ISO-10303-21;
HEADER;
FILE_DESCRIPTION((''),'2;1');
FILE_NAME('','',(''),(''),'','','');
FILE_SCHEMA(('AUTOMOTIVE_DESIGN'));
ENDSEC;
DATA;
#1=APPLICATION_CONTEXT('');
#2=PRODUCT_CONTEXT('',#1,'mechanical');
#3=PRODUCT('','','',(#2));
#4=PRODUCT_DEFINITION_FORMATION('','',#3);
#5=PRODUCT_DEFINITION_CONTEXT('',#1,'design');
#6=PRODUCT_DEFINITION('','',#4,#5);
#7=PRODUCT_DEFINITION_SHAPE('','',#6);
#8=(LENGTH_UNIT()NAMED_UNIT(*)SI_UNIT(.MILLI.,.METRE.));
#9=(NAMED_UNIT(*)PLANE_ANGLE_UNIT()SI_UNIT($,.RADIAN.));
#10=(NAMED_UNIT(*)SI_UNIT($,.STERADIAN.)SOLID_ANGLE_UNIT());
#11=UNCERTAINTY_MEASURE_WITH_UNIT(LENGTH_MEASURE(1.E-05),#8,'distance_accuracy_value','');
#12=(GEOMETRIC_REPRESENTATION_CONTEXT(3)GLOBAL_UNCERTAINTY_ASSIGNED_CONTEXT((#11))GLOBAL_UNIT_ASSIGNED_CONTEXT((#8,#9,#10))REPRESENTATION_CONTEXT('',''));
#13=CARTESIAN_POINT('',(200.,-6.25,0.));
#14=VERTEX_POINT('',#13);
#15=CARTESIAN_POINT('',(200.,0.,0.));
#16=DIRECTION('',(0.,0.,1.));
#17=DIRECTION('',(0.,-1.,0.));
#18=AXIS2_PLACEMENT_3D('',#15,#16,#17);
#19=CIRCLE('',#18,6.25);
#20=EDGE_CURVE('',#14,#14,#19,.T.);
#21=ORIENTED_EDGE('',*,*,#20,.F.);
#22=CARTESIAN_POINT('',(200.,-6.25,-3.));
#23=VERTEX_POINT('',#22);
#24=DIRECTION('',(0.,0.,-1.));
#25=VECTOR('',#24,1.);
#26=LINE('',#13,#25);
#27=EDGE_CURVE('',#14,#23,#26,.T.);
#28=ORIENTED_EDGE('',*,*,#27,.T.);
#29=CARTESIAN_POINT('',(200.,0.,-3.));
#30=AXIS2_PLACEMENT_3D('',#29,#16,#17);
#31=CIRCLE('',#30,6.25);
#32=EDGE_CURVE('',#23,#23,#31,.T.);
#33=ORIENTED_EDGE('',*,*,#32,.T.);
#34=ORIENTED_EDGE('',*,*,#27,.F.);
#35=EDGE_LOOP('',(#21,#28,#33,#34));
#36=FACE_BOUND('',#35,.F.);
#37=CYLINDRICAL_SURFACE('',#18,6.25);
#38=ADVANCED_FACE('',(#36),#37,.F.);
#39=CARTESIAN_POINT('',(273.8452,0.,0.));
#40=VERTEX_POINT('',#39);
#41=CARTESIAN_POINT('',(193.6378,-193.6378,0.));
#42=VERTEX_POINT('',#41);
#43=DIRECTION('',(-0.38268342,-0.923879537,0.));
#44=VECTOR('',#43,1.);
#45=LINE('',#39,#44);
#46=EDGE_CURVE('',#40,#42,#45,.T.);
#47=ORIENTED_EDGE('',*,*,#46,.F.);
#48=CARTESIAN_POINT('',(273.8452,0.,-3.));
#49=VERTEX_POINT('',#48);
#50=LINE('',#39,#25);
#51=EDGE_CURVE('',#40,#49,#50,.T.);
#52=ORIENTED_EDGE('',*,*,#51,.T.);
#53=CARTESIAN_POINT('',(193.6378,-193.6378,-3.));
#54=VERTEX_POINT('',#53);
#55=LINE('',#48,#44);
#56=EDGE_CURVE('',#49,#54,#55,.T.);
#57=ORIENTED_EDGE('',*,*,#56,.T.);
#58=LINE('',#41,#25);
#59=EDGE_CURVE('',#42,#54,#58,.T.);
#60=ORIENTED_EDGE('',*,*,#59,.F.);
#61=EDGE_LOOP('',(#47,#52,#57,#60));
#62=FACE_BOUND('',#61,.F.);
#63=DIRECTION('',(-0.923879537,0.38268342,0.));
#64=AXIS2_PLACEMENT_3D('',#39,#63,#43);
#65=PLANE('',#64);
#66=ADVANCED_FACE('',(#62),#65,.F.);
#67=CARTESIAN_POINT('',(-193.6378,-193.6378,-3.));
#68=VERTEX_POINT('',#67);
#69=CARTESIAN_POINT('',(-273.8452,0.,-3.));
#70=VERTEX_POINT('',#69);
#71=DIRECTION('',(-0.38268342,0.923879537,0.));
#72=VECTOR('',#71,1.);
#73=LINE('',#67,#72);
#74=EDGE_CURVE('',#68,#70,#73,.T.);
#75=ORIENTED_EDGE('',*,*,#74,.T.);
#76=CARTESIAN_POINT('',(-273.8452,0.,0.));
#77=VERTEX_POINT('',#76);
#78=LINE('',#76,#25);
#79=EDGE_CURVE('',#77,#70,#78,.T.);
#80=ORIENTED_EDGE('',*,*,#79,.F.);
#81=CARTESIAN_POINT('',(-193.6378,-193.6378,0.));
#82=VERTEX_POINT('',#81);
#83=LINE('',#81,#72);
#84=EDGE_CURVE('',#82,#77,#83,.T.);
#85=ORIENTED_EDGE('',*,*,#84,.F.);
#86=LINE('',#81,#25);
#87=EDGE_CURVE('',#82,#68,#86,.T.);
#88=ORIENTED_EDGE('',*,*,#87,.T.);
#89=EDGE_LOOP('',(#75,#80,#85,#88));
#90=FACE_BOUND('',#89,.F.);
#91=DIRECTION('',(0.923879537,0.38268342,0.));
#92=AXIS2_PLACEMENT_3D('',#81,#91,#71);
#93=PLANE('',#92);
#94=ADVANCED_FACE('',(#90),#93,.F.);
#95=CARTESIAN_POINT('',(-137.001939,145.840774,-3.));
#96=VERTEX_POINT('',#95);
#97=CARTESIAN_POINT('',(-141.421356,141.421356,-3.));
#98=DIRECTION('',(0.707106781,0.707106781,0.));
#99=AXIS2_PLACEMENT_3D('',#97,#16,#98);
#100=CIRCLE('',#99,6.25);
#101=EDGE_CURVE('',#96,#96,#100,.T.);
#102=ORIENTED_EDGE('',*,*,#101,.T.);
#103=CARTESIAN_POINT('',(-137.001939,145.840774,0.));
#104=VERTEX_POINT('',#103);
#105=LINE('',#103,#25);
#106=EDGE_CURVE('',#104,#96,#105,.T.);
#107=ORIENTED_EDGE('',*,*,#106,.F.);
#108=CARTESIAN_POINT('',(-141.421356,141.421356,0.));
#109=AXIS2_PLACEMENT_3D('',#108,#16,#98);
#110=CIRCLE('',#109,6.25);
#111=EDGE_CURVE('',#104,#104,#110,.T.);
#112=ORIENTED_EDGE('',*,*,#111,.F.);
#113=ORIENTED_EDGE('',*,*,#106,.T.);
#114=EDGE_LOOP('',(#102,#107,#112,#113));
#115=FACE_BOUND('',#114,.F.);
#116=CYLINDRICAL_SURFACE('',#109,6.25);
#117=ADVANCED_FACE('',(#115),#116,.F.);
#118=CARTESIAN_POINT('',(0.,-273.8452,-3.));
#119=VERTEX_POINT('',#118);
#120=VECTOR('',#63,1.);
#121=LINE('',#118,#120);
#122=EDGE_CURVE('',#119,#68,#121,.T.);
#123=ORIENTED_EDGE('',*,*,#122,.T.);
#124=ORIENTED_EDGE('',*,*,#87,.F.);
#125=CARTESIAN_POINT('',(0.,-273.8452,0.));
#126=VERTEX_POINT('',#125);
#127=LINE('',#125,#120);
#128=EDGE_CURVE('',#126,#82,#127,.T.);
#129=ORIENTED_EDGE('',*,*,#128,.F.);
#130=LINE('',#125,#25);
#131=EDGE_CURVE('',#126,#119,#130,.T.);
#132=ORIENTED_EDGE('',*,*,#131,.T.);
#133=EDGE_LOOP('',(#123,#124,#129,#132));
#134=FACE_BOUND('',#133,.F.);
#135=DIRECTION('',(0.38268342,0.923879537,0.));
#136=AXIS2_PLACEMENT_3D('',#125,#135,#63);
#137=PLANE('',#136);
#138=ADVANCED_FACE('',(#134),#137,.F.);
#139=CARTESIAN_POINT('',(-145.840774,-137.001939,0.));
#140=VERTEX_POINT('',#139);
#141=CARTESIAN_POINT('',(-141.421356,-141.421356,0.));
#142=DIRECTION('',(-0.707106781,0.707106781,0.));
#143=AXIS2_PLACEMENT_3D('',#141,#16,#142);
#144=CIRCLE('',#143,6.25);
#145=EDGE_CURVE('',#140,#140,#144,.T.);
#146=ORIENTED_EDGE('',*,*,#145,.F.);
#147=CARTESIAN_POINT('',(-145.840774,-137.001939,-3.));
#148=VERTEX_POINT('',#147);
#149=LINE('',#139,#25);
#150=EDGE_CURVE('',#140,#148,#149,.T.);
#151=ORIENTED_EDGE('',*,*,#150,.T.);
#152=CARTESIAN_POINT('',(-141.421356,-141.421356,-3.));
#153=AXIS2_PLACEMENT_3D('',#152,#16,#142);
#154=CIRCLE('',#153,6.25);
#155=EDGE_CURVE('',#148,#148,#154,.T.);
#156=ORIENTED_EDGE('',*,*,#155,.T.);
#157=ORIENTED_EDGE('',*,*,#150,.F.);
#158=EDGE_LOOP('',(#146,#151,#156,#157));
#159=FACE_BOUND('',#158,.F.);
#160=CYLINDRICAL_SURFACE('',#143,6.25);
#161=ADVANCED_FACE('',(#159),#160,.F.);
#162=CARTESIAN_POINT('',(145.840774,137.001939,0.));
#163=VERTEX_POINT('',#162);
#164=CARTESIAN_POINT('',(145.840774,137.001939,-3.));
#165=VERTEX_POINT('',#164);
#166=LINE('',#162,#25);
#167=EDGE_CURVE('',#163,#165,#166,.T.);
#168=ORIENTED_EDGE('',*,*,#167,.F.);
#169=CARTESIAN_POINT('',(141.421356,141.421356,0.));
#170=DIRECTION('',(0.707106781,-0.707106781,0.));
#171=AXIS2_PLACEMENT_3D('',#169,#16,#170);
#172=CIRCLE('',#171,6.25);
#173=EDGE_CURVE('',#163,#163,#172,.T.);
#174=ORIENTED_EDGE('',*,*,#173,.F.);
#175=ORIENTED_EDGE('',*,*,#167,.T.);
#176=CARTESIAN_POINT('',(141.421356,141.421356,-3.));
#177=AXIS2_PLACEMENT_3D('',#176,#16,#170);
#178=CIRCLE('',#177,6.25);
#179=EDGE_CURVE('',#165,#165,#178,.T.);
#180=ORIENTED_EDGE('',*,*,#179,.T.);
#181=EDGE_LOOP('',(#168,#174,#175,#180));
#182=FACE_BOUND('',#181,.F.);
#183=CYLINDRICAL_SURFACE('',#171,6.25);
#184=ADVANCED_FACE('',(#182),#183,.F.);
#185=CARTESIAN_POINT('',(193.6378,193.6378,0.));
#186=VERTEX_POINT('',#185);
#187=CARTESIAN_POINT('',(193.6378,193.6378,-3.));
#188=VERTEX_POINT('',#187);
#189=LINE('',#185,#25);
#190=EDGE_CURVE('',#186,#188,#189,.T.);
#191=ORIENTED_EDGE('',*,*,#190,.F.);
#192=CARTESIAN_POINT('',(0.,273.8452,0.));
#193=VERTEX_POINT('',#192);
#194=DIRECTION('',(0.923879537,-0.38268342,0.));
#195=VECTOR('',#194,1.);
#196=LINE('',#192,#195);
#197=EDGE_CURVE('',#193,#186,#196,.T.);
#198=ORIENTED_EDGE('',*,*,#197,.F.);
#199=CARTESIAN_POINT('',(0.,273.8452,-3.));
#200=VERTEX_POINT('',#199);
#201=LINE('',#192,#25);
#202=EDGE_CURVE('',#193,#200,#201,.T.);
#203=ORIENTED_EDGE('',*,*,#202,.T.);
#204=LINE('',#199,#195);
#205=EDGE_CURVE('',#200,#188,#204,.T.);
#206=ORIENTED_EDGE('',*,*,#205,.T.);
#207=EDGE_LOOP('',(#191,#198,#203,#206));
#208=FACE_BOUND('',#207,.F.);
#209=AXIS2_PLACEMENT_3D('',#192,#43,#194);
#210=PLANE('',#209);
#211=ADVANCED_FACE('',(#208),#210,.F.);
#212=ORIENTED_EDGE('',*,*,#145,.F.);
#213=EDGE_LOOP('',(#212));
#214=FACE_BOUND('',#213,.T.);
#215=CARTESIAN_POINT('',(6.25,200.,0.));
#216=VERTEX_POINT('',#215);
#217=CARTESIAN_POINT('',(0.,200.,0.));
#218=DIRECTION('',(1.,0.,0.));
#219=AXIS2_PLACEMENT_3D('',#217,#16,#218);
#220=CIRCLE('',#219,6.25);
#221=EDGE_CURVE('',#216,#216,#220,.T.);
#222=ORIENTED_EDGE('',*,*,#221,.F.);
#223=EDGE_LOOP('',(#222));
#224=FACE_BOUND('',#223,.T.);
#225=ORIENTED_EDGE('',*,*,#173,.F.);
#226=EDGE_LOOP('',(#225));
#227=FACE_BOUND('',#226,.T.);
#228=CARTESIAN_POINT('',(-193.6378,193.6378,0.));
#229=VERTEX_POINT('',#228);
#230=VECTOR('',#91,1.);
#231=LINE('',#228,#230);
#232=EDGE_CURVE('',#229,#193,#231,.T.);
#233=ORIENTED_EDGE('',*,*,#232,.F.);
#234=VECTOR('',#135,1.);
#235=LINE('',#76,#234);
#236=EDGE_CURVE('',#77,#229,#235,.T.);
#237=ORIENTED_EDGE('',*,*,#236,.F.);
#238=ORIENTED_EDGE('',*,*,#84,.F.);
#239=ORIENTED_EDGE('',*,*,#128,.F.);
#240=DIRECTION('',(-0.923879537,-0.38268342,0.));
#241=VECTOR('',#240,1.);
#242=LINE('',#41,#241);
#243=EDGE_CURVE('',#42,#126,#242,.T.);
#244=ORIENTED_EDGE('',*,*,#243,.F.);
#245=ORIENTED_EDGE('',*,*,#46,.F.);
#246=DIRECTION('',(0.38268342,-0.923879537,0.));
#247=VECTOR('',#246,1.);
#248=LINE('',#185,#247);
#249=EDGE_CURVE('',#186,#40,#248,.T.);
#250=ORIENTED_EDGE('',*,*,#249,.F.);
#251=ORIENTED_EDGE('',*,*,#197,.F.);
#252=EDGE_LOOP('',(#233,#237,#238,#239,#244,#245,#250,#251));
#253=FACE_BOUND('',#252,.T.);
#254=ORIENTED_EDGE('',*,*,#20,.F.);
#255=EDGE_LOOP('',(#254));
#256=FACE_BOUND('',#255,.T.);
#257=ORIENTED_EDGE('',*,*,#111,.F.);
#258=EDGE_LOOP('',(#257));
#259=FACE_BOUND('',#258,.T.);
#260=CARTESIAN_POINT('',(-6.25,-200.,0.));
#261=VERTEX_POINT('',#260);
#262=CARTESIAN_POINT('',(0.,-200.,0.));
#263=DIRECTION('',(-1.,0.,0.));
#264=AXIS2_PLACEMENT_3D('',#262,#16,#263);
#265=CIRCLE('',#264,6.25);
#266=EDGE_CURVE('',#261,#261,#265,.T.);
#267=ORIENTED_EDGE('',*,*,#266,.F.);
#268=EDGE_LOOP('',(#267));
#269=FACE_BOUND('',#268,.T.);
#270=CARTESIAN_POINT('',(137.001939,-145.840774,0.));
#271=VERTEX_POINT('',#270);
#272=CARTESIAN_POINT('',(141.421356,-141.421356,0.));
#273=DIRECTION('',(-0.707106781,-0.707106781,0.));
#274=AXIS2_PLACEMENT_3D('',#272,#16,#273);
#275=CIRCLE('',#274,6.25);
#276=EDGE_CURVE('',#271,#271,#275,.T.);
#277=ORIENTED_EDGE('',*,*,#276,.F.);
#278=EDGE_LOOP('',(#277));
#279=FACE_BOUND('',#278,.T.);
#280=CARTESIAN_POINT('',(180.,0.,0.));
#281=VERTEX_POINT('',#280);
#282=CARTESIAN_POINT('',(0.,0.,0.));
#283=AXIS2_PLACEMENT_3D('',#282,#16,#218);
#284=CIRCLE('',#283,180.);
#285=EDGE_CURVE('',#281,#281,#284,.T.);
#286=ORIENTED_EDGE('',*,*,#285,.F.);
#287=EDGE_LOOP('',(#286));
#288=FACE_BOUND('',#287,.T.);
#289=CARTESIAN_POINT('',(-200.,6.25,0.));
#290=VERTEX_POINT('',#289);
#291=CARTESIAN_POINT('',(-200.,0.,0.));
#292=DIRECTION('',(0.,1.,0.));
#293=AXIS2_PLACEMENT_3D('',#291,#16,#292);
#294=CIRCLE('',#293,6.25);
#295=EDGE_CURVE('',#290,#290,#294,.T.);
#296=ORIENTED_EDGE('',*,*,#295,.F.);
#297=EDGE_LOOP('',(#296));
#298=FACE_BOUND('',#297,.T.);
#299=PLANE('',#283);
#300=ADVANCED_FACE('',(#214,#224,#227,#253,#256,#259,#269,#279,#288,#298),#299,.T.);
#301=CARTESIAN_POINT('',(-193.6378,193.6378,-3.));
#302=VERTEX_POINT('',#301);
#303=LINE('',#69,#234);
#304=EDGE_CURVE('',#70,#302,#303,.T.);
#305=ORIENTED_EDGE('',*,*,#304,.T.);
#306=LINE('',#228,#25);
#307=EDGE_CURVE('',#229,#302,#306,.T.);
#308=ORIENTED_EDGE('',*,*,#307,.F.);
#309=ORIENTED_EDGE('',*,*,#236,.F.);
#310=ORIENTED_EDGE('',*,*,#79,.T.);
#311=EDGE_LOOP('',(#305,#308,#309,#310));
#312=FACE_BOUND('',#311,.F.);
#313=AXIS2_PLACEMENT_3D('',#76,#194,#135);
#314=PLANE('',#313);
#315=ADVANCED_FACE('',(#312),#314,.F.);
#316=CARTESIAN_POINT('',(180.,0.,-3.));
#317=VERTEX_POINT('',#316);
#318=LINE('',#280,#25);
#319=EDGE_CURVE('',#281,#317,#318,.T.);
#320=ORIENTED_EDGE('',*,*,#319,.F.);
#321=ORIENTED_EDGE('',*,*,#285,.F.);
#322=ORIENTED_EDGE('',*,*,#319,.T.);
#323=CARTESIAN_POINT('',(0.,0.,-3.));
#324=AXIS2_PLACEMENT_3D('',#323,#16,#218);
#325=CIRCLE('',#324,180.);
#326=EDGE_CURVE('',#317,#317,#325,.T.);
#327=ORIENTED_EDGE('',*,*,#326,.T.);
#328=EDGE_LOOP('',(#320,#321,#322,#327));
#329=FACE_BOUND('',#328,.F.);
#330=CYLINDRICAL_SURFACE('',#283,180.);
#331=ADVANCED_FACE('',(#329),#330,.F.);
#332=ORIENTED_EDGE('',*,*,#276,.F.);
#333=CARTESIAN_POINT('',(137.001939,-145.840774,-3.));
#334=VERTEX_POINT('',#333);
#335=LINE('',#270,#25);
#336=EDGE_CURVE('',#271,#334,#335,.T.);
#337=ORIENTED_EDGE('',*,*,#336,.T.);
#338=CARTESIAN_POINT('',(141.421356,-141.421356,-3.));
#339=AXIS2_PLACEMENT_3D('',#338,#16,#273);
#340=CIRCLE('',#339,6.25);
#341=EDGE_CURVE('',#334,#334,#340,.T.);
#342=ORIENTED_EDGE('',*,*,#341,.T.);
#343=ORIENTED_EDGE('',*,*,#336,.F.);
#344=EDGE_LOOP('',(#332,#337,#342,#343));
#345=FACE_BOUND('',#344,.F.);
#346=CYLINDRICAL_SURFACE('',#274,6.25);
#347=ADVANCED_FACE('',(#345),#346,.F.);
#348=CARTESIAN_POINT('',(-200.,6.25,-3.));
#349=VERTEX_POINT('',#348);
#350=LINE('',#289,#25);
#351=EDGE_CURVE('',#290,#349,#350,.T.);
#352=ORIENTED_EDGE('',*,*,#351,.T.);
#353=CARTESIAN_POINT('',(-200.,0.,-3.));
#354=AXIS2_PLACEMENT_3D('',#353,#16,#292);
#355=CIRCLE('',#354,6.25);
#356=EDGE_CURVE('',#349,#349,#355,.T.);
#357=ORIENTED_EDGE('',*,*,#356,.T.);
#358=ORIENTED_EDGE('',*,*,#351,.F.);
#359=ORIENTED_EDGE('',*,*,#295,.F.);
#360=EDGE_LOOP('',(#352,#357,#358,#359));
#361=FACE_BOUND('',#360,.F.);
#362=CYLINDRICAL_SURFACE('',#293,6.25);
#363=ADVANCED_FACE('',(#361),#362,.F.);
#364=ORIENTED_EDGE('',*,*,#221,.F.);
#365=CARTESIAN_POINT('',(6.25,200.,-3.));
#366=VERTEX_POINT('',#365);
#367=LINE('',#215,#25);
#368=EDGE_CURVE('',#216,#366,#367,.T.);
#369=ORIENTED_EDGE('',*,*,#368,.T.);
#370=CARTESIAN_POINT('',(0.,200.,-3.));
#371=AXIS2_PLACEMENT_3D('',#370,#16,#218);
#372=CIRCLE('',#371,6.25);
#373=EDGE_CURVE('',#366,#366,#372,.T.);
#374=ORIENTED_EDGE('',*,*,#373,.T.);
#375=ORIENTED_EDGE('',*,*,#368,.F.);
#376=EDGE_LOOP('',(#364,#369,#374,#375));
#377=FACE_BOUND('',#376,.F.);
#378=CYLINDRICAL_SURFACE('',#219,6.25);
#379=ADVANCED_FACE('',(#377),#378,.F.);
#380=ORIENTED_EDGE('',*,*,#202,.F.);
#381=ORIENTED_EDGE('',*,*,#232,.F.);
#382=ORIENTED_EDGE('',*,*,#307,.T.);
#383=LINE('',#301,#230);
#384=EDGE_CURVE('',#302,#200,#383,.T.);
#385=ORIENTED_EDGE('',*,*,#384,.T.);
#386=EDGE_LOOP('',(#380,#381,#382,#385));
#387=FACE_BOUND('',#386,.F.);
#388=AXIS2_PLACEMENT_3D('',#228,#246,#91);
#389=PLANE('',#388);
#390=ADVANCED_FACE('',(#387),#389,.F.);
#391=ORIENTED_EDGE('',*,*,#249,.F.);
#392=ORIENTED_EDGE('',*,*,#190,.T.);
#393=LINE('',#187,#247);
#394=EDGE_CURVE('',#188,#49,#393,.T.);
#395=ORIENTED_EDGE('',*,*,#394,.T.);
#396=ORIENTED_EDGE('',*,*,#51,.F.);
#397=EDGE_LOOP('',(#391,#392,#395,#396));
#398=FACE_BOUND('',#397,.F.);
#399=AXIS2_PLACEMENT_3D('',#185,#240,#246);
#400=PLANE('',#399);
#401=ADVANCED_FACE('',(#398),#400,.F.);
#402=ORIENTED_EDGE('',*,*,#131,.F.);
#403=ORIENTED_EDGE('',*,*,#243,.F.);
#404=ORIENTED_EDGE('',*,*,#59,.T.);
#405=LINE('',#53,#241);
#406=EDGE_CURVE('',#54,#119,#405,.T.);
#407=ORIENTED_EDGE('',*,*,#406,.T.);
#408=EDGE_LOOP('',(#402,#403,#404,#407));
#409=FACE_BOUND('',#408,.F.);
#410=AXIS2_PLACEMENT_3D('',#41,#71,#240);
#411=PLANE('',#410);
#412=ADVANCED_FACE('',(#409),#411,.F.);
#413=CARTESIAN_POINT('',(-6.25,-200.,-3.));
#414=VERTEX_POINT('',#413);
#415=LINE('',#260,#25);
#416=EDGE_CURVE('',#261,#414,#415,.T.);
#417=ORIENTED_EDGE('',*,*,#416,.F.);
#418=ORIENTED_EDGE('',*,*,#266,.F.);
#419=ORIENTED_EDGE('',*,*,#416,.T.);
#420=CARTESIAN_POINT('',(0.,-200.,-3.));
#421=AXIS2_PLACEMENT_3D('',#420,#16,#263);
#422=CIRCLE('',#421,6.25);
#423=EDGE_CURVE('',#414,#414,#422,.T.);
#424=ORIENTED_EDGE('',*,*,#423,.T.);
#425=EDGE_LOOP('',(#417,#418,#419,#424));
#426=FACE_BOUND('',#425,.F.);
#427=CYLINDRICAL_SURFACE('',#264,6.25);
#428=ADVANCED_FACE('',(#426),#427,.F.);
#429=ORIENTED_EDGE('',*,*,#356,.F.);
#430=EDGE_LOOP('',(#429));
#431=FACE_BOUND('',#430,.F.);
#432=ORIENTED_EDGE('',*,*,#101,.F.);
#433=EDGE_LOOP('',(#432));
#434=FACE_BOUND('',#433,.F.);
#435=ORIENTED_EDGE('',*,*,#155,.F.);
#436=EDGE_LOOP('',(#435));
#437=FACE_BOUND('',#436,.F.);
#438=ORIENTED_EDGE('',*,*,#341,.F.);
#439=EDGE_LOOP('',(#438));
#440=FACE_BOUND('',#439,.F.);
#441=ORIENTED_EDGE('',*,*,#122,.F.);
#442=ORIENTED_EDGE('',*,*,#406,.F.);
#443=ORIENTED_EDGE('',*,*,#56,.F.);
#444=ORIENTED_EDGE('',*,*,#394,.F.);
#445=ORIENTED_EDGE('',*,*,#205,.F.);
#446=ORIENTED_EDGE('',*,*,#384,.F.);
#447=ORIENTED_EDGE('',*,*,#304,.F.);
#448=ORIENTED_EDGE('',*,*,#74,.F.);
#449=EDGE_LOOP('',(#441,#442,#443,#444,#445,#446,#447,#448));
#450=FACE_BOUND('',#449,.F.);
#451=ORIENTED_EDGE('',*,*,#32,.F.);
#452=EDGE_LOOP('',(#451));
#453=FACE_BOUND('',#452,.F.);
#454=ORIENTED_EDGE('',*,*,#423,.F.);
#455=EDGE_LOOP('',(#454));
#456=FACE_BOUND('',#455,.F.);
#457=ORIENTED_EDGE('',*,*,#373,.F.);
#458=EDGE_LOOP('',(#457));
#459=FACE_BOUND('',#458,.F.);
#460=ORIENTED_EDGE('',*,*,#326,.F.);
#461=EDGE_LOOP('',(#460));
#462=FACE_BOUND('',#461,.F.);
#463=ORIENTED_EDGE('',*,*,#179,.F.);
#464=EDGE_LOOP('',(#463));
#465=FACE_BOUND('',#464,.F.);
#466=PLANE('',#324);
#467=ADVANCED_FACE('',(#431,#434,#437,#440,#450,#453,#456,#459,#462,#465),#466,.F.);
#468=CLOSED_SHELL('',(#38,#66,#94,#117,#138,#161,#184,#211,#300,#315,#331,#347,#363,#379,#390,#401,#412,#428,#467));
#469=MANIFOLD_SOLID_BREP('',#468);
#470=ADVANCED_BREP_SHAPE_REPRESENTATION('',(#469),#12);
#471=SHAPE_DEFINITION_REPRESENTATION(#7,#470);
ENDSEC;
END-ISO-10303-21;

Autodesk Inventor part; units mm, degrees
ref_plane "YZ Plane" through (0, 0, 0) normal (1, 0, 0) x (0, 1, 0)
ref_plane "XZ Plane" through (0, 0, 0) normal (0, 1, 0) x (-1, 0, 0)
ref_plane "XY Plane" through (0, 0, 0) normal (0, 0, 1) x (1, 0, 0)
sketch "Sketch2" plane through (0, 0, 0) normal (0, 0, 1) x (1, 0, 0)
  line L0 (-193.6378, 193.6378) -> (0, 273.8452)
  line L1 (0, 273.8452) -> (193.6378, 193.6378)
  line L2 (193.6378, 193.6378) -> (273.8452, 0)
  line L3 (273.8452, 0) -> (193.6378, -193.6378)
  line L4 (193.6378, -193.6378) -> (0, -273.8452)
  line L5 (0, -273.8452) -> (-193.6378, -193.6378)
  line L6 (-193.6378, -193.6378) -> (-273.8452, 0)
  line L7 (-273.8452, 0) -> (-193.6378, 193.6378)
  circle A0 centre (0, 0) radius 180
  dimension "d23" = 506
  dimension "d26" = 360
extrude "Plate1" add sketch "Sketch2" against normal blind 3
sketch "Sketch4" plane through (0, 0, 0) normal (0, 0, 1) x (1, 0, 0)
  circle A0 centre (0, 200) radius 6.25
  circle A1 centre (0, 0) radius 180 projected
  dimension "d16" = 12.5
  dimension "d17" = 200
extrude "Extrusion1" cut sketch "Sketch4" against normal up to surface (3 mm away) contours A0
pattern_circular "Circular Pattern1" count 8 over 360 about axis through (0, 0, -10) along (0, 0, 1) of "Extrusion1"
equation "\"d23\" = Барабан_габарит_по_кассетам"
equation "\"d26\" = Вал_ось_диаметр_КОРМА"
equation "\"d15\" = Thickness"
equation "\"BendRadius\" = Thickness"
equation "\"BendReliefWidth\" = Thickness"
equation "\"BendReliefDepth\" = 0.5 * Thickness"
equation "\"CornerReliefSize\" = 4 * Thickness"
equation "\"MinimumRemnant\" = 2 * Thickness"
equation "\"TransitionRadius\" = BendRadius"
equation "\"JacobiRadiusSize\" = BendRadius"
equation "\"GapSize\" = Thickness"
equation "\"Барабан_габарит_по_кассетам\" = 506"
equation "\"Вал_ось_диаметр_КОРМА\" = 360"
equation "\"Thickness\" = 3"
properties part number "ДМС 101 Барабан торец зад"
